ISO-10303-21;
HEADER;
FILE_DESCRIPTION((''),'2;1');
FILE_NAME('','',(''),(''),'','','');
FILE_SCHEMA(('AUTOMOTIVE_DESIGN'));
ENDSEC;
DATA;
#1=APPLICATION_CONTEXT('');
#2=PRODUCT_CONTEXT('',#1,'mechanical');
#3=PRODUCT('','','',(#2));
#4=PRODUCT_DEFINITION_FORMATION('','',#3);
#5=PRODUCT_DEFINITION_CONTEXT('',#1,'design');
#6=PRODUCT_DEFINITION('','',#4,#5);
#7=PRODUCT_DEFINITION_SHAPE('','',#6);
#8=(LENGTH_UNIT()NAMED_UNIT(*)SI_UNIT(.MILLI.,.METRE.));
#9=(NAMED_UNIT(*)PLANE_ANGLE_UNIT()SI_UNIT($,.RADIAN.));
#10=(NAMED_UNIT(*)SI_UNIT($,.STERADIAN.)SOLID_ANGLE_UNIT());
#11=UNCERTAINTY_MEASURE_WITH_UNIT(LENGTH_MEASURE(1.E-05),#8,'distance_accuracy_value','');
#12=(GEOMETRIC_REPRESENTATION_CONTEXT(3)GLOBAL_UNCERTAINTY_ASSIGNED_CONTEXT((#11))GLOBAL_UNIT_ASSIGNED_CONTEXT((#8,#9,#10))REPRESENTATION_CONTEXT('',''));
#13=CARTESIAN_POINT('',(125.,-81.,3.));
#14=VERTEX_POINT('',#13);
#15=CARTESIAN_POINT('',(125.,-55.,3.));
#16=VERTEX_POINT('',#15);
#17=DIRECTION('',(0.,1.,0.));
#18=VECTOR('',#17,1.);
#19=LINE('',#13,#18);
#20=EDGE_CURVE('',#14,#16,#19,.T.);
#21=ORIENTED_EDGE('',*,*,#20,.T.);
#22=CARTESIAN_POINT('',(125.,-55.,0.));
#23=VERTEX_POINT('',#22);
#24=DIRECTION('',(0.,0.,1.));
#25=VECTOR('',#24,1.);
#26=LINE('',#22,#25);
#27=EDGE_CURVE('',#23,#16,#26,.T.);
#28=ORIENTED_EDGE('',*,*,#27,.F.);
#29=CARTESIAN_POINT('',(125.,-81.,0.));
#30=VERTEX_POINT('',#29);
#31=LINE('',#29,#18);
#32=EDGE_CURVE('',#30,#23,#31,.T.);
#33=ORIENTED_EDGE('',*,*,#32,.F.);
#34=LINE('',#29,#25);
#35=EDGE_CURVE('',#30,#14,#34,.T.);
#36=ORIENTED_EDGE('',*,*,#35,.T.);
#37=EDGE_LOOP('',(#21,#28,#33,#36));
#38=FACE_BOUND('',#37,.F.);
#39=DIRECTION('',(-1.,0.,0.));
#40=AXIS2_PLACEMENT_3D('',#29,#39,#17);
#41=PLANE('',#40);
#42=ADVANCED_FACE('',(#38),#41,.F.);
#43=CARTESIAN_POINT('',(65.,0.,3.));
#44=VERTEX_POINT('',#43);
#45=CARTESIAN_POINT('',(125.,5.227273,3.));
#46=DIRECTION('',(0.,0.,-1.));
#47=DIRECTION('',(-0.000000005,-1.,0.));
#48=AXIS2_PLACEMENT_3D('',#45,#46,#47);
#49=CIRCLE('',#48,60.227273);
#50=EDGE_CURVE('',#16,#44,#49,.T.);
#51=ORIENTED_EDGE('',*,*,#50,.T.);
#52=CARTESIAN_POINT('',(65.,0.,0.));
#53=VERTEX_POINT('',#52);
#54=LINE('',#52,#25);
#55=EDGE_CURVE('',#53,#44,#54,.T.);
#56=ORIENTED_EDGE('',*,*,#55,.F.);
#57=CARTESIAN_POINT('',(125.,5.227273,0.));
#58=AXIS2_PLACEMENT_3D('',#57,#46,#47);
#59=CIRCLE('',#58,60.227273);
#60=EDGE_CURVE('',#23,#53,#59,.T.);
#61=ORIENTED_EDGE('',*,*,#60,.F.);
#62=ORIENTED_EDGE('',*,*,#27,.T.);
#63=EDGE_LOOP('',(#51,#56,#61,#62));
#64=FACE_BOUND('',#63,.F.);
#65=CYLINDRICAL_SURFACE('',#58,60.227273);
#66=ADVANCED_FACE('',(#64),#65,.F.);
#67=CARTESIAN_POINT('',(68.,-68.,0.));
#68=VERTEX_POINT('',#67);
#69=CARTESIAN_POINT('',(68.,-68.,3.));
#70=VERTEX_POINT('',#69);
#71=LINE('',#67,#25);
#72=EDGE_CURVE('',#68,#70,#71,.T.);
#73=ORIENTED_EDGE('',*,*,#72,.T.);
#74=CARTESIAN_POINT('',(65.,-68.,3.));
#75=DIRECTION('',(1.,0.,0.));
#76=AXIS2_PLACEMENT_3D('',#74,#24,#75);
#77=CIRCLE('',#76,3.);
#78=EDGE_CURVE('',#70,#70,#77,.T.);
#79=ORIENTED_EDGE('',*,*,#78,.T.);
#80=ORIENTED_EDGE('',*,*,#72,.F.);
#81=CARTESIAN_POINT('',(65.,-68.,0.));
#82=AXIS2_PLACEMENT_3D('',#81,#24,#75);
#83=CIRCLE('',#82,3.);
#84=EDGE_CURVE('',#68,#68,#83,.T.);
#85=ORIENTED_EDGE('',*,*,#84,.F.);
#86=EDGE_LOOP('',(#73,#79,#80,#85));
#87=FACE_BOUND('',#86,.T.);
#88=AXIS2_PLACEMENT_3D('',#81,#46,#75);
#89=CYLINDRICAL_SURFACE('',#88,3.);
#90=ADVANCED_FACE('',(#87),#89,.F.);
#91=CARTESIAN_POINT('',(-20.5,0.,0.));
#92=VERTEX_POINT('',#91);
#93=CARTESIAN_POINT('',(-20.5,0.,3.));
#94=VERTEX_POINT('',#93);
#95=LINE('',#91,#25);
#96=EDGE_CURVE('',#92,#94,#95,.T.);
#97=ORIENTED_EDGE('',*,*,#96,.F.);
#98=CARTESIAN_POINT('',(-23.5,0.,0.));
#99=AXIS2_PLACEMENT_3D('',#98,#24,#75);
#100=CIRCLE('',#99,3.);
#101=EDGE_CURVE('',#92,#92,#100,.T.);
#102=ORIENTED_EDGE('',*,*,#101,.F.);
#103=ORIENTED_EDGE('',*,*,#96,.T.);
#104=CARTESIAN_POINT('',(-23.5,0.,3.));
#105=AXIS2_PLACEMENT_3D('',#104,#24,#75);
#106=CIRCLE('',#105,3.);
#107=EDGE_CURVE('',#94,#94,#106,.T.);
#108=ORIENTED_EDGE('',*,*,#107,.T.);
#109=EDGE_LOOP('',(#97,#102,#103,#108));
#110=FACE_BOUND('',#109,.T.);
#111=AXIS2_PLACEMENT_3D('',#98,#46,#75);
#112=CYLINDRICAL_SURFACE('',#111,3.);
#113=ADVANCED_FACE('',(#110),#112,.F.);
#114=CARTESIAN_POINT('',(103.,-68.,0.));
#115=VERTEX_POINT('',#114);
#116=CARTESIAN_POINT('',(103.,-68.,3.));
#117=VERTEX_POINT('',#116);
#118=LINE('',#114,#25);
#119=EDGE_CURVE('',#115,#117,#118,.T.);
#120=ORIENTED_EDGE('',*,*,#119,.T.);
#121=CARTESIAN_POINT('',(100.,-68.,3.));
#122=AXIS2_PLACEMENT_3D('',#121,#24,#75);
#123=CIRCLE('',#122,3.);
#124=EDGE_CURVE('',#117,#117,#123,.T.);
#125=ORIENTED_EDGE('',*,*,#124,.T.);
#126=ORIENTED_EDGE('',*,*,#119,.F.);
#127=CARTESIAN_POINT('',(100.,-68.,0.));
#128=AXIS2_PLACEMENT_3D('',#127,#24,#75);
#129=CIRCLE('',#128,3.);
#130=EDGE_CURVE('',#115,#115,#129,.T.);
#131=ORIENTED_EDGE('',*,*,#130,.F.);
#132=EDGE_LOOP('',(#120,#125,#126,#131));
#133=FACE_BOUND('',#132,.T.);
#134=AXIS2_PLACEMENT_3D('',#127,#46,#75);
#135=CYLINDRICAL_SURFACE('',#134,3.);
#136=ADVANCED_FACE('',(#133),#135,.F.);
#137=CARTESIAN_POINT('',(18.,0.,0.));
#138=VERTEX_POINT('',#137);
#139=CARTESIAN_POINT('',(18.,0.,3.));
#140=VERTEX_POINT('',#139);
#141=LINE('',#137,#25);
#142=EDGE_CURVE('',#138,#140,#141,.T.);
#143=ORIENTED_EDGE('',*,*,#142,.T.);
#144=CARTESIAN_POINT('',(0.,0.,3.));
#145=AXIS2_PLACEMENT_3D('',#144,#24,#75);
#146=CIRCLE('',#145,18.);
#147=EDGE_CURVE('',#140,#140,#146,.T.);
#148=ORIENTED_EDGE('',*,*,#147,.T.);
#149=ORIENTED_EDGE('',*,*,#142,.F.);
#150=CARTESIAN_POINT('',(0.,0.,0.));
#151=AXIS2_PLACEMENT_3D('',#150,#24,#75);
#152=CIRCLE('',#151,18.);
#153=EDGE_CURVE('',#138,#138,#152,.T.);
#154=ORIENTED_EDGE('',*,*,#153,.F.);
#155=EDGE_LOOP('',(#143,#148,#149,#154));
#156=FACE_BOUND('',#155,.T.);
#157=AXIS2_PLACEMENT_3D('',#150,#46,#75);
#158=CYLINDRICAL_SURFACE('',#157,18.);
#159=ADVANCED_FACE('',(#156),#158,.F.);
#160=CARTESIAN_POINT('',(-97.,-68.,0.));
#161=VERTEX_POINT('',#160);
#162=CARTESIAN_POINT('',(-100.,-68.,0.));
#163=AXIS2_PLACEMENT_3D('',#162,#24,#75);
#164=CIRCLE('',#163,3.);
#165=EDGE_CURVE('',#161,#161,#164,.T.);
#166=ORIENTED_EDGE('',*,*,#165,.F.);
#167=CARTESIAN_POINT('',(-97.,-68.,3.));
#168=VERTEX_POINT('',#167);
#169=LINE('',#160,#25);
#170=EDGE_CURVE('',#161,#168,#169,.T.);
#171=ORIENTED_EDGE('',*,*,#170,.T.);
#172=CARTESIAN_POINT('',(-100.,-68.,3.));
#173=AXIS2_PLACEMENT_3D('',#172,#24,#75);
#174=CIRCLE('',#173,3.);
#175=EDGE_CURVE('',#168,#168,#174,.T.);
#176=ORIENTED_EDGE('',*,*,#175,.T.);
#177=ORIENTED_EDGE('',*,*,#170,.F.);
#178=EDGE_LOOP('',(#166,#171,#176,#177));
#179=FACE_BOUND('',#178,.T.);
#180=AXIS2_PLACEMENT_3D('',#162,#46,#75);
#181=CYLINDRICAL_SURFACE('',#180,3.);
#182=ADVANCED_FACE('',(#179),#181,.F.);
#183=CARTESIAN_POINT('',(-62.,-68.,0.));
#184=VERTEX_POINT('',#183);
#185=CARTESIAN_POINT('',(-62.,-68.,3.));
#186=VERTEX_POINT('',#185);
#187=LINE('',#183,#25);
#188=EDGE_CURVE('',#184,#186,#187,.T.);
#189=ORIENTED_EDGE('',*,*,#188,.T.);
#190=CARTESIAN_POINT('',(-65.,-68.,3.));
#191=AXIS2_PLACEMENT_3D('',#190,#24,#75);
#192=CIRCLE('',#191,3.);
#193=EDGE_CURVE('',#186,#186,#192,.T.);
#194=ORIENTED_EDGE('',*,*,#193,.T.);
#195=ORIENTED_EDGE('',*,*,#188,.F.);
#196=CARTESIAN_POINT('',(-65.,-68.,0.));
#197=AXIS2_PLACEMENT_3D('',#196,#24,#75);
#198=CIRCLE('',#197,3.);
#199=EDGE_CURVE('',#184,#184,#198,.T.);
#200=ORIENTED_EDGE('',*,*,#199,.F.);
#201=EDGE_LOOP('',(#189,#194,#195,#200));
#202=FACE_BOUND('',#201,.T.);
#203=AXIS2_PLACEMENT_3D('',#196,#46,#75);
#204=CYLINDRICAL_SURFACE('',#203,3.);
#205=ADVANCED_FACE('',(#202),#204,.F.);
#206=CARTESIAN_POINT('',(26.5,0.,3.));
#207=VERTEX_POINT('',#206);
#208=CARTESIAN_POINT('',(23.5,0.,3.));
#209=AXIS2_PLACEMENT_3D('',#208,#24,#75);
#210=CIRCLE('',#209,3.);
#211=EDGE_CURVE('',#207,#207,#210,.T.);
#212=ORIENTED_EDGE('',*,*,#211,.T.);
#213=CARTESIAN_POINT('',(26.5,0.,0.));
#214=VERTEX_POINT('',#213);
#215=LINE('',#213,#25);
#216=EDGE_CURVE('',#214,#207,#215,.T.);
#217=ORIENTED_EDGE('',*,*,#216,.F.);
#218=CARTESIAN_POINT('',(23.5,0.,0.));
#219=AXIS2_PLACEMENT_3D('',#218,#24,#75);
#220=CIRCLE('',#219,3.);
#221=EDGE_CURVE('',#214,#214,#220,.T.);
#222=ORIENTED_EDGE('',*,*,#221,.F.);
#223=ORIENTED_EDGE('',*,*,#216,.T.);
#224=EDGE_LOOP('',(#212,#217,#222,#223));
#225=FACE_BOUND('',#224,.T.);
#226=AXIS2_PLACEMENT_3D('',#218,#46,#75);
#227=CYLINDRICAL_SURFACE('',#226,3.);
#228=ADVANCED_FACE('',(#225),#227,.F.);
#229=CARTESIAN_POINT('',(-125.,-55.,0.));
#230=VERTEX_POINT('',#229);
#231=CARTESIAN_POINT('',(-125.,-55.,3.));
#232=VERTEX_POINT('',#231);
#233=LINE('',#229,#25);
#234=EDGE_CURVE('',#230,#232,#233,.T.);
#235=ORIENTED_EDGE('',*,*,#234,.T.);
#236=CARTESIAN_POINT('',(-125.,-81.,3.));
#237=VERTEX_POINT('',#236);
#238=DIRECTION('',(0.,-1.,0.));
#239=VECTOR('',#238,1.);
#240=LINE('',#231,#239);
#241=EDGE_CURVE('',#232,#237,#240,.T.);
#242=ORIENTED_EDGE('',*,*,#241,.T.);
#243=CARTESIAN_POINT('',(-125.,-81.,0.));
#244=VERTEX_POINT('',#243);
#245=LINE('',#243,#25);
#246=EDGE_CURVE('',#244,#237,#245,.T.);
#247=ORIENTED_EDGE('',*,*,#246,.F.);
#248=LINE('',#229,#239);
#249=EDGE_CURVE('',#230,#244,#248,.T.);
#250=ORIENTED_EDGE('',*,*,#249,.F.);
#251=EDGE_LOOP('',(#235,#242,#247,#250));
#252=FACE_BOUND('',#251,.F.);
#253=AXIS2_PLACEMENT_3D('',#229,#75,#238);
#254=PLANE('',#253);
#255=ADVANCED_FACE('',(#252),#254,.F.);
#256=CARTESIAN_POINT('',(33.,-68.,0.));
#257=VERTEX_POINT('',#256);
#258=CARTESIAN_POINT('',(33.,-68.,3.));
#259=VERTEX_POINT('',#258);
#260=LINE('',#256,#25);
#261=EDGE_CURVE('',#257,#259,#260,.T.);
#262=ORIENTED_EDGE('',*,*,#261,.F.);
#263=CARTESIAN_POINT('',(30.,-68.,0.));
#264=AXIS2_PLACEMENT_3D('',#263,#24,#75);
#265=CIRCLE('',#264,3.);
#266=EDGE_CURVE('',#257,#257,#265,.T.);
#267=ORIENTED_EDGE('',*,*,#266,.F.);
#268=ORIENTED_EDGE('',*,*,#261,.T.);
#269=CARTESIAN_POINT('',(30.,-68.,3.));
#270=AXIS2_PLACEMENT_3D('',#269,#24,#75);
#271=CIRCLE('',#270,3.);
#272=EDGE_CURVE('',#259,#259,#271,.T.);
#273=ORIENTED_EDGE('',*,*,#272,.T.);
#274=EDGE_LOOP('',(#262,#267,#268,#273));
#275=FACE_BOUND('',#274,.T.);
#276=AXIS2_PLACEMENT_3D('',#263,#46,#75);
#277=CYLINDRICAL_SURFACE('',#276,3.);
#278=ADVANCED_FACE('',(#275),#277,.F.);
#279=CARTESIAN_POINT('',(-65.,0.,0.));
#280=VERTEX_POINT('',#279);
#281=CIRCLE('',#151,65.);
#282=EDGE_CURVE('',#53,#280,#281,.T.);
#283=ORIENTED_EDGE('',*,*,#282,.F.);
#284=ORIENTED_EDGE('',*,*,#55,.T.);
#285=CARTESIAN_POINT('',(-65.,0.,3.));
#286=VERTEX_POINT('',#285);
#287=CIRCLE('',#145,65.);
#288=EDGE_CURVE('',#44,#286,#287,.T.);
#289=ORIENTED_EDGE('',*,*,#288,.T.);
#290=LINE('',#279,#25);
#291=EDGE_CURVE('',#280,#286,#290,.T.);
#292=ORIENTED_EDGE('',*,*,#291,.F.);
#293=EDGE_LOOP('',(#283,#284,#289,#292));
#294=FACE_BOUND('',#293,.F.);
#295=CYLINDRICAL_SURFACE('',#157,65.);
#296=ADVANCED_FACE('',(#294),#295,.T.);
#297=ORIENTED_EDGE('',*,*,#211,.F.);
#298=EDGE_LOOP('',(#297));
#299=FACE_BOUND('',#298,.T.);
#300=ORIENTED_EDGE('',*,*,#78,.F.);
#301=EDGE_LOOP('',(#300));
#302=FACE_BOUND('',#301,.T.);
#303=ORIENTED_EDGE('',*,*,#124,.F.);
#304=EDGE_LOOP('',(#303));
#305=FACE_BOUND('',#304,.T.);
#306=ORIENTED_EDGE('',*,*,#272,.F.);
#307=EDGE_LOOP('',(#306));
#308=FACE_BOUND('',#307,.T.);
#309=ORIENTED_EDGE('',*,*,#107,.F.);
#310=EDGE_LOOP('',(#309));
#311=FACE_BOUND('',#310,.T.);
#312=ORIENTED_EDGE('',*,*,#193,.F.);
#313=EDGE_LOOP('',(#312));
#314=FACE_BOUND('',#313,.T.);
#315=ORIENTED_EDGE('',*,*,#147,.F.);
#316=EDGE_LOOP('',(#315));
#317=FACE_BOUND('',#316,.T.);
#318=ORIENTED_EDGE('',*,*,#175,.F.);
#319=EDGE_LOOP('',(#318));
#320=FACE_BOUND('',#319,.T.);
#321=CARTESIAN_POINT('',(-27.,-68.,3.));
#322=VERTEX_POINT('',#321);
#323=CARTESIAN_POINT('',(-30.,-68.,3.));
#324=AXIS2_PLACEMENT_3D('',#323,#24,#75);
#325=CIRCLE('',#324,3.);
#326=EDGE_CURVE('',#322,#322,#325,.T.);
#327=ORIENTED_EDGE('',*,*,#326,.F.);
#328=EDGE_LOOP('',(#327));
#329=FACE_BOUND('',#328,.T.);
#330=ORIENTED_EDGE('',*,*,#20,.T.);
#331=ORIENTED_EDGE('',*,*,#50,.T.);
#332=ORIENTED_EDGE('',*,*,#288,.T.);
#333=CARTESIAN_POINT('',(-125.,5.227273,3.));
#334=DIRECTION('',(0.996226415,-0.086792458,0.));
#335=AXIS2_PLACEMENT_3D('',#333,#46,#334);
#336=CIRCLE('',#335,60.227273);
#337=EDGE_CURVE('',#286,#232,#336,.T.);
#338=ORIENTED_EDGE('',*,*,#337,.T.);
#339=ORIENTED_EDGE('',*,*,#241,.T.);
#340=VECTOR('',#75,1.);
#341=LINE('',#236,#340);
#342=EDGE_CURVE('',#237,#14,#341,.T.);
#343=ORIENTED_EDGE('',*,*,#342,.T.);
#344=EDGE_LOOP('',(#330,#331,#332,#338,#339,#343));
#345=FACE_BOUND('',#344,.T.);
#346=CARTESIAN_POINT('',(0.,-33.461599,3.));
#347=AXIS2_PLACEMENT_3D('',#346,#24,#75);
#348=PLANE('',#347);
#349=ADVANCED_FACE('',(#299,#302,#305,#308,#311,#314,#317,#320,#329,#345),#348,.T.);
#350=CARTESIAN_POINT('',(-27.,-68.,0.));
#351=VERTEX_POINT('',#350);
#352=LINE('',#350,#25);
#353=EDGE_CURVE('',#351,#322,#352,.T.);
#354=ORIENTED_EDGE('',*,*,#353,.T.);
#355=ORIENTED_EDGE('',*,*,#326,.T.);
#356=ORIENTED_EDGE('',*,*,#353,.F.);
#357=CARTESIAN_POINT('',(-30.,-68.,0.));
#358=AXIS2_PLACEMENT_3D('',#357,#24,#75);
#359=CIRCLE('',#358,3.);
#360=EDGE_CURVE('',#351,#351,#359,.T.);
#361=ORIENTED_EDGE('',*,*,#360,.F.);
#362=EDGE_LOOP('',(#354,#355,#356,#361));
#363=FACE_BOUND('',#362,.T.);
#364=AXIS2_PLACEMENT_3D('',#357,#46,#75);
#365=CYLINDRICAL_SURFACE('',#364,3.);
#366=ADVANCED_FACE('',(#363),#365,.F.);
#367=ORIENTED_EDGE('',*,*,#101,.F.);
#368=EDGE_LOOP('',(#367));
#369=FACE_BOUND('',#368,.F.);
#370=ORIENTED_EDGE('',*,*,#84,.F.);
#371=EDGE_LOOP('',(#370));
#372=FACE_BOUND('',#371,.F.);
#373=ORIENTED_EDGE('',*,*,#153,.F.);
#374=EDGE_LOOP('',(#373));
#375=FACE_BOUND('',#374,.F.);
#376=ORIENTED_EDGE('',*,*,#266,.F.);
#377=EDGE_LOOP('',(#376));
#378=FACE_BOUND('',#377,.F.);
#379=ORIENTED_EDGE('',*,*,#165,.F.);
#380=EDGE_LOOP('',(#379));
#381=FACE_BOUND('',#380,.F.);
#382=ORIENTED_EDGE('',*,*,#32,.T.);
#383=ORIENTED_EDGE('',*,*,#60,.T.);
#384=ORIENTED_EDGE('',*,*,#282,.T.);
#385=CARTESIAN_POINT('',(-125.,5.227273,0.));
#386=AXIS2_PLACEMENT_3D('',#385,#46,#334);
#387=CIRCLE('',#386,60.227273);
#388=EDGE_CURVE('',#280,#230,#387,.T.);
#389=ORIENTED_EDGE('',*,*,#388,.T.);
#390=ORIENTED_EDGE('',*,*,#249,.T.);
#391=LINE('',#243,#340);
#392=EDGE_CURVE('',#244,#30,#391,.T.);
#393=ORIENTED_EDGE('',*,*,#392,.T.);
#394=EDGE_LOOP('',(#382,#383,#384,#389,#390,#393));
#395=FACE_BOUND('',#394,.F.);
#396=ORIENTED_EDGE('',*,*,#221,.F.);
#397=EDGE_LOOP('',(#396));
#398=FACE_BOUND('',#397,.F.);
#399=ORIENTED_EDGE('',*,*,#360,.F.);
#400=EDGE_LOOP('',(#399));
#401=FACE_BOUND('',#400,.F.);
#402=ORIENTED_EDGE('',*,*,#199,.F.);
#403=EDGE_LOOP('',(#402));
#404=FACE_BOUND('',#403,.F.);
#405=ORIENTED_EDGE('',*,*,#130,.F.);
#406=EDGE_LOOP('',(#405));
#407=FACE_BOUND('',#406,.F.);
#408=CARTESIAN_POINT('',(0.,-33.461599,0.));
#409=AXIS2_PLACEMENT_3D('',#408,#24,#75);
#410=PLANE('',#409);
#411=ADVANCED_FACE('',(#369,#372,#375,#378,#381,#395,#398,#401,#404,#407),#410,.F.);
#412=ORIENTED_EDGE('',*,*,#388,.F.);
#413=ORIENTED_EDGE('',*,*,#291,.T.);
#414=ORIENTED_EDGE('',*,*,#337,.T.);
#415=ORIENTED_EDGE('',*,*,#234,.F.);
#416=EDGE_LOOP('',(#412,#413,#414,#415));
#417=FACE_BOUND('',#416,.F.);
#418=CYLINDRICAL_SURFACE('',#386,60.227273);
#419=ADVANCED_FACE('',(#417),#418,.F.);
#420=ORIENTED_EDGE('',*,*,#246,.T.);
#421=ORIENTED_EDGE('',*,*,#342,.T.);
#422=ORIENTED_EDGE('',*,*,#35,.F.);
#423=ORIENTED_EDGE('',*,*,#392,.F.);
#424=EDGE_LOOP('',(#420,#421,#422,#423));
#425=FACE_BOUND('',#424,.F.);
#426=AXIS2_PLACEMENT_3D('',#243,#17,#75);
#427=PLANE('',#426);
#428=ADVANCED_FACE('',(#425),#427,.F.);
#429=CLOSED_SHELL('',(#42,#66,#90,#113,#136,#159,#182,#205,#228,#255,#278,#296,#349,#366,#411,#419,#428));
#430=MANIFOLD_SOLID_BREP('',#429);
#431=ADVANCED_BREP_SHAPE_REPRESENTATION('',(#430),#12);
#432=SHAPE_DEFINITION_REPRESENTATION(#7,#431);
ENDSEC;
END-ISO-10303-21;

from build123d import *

# Parameters (mm, degrees)
F0_R     = 3
F0_R_2   = 18
F1_DEPTH = 3


with BuildPart() as f1:
    # F0 (on Top) → F1 (new body)
    with BuildSketch(Plane.XY):
        with BuildLine():
            ThreePointArc((125, -55), (84.302949, -39.169511), (65, 0))
            ThreePointArc((65, 0), (0, 65), (-65, 0))
            ThreePointArc((-65, 0), (-84.302949, -39.169511), (-125, -55))
            Line((-125, -55), (-125, -81))
            Line((-125, -81), (125, -81))
            Line((125, -81), (125, -55))
        make_face()
        with Locations((-100, -68)):
            Circle(F0_R, mode=Mode.SUBTRACT)
        with Locations((-65, -68)):
            Circle(F0_R, mode=Mode.SUBTRACT)
        with Locations((-30, -68)):
            Circle(F0_R, mode=Mode.SUBTRACT)
        with Locations((30, -68)):
            Circle(F0_R, mode=Mode.SUBTRACT)
        with Locations((65, -68)):
            Circle(F0_R, mode=Mode.SUBTRACT)
        with Locations((100, -68)):
            Circle(F0_R, mode=Mode.SUBTRACT)
        with Locations((-23.5, 0)):
            Circle(F0_R, mode=Mode.SUBTRACT)
        Circle(F0_R_2, mode=Mode.SUBTRACT)
        with Locations((23.5, 0)):
            Circle(F0_R, mode=Mode.SUBTRACT)
    extrude(amount=F1_DEPTH)


solid = f1.part
